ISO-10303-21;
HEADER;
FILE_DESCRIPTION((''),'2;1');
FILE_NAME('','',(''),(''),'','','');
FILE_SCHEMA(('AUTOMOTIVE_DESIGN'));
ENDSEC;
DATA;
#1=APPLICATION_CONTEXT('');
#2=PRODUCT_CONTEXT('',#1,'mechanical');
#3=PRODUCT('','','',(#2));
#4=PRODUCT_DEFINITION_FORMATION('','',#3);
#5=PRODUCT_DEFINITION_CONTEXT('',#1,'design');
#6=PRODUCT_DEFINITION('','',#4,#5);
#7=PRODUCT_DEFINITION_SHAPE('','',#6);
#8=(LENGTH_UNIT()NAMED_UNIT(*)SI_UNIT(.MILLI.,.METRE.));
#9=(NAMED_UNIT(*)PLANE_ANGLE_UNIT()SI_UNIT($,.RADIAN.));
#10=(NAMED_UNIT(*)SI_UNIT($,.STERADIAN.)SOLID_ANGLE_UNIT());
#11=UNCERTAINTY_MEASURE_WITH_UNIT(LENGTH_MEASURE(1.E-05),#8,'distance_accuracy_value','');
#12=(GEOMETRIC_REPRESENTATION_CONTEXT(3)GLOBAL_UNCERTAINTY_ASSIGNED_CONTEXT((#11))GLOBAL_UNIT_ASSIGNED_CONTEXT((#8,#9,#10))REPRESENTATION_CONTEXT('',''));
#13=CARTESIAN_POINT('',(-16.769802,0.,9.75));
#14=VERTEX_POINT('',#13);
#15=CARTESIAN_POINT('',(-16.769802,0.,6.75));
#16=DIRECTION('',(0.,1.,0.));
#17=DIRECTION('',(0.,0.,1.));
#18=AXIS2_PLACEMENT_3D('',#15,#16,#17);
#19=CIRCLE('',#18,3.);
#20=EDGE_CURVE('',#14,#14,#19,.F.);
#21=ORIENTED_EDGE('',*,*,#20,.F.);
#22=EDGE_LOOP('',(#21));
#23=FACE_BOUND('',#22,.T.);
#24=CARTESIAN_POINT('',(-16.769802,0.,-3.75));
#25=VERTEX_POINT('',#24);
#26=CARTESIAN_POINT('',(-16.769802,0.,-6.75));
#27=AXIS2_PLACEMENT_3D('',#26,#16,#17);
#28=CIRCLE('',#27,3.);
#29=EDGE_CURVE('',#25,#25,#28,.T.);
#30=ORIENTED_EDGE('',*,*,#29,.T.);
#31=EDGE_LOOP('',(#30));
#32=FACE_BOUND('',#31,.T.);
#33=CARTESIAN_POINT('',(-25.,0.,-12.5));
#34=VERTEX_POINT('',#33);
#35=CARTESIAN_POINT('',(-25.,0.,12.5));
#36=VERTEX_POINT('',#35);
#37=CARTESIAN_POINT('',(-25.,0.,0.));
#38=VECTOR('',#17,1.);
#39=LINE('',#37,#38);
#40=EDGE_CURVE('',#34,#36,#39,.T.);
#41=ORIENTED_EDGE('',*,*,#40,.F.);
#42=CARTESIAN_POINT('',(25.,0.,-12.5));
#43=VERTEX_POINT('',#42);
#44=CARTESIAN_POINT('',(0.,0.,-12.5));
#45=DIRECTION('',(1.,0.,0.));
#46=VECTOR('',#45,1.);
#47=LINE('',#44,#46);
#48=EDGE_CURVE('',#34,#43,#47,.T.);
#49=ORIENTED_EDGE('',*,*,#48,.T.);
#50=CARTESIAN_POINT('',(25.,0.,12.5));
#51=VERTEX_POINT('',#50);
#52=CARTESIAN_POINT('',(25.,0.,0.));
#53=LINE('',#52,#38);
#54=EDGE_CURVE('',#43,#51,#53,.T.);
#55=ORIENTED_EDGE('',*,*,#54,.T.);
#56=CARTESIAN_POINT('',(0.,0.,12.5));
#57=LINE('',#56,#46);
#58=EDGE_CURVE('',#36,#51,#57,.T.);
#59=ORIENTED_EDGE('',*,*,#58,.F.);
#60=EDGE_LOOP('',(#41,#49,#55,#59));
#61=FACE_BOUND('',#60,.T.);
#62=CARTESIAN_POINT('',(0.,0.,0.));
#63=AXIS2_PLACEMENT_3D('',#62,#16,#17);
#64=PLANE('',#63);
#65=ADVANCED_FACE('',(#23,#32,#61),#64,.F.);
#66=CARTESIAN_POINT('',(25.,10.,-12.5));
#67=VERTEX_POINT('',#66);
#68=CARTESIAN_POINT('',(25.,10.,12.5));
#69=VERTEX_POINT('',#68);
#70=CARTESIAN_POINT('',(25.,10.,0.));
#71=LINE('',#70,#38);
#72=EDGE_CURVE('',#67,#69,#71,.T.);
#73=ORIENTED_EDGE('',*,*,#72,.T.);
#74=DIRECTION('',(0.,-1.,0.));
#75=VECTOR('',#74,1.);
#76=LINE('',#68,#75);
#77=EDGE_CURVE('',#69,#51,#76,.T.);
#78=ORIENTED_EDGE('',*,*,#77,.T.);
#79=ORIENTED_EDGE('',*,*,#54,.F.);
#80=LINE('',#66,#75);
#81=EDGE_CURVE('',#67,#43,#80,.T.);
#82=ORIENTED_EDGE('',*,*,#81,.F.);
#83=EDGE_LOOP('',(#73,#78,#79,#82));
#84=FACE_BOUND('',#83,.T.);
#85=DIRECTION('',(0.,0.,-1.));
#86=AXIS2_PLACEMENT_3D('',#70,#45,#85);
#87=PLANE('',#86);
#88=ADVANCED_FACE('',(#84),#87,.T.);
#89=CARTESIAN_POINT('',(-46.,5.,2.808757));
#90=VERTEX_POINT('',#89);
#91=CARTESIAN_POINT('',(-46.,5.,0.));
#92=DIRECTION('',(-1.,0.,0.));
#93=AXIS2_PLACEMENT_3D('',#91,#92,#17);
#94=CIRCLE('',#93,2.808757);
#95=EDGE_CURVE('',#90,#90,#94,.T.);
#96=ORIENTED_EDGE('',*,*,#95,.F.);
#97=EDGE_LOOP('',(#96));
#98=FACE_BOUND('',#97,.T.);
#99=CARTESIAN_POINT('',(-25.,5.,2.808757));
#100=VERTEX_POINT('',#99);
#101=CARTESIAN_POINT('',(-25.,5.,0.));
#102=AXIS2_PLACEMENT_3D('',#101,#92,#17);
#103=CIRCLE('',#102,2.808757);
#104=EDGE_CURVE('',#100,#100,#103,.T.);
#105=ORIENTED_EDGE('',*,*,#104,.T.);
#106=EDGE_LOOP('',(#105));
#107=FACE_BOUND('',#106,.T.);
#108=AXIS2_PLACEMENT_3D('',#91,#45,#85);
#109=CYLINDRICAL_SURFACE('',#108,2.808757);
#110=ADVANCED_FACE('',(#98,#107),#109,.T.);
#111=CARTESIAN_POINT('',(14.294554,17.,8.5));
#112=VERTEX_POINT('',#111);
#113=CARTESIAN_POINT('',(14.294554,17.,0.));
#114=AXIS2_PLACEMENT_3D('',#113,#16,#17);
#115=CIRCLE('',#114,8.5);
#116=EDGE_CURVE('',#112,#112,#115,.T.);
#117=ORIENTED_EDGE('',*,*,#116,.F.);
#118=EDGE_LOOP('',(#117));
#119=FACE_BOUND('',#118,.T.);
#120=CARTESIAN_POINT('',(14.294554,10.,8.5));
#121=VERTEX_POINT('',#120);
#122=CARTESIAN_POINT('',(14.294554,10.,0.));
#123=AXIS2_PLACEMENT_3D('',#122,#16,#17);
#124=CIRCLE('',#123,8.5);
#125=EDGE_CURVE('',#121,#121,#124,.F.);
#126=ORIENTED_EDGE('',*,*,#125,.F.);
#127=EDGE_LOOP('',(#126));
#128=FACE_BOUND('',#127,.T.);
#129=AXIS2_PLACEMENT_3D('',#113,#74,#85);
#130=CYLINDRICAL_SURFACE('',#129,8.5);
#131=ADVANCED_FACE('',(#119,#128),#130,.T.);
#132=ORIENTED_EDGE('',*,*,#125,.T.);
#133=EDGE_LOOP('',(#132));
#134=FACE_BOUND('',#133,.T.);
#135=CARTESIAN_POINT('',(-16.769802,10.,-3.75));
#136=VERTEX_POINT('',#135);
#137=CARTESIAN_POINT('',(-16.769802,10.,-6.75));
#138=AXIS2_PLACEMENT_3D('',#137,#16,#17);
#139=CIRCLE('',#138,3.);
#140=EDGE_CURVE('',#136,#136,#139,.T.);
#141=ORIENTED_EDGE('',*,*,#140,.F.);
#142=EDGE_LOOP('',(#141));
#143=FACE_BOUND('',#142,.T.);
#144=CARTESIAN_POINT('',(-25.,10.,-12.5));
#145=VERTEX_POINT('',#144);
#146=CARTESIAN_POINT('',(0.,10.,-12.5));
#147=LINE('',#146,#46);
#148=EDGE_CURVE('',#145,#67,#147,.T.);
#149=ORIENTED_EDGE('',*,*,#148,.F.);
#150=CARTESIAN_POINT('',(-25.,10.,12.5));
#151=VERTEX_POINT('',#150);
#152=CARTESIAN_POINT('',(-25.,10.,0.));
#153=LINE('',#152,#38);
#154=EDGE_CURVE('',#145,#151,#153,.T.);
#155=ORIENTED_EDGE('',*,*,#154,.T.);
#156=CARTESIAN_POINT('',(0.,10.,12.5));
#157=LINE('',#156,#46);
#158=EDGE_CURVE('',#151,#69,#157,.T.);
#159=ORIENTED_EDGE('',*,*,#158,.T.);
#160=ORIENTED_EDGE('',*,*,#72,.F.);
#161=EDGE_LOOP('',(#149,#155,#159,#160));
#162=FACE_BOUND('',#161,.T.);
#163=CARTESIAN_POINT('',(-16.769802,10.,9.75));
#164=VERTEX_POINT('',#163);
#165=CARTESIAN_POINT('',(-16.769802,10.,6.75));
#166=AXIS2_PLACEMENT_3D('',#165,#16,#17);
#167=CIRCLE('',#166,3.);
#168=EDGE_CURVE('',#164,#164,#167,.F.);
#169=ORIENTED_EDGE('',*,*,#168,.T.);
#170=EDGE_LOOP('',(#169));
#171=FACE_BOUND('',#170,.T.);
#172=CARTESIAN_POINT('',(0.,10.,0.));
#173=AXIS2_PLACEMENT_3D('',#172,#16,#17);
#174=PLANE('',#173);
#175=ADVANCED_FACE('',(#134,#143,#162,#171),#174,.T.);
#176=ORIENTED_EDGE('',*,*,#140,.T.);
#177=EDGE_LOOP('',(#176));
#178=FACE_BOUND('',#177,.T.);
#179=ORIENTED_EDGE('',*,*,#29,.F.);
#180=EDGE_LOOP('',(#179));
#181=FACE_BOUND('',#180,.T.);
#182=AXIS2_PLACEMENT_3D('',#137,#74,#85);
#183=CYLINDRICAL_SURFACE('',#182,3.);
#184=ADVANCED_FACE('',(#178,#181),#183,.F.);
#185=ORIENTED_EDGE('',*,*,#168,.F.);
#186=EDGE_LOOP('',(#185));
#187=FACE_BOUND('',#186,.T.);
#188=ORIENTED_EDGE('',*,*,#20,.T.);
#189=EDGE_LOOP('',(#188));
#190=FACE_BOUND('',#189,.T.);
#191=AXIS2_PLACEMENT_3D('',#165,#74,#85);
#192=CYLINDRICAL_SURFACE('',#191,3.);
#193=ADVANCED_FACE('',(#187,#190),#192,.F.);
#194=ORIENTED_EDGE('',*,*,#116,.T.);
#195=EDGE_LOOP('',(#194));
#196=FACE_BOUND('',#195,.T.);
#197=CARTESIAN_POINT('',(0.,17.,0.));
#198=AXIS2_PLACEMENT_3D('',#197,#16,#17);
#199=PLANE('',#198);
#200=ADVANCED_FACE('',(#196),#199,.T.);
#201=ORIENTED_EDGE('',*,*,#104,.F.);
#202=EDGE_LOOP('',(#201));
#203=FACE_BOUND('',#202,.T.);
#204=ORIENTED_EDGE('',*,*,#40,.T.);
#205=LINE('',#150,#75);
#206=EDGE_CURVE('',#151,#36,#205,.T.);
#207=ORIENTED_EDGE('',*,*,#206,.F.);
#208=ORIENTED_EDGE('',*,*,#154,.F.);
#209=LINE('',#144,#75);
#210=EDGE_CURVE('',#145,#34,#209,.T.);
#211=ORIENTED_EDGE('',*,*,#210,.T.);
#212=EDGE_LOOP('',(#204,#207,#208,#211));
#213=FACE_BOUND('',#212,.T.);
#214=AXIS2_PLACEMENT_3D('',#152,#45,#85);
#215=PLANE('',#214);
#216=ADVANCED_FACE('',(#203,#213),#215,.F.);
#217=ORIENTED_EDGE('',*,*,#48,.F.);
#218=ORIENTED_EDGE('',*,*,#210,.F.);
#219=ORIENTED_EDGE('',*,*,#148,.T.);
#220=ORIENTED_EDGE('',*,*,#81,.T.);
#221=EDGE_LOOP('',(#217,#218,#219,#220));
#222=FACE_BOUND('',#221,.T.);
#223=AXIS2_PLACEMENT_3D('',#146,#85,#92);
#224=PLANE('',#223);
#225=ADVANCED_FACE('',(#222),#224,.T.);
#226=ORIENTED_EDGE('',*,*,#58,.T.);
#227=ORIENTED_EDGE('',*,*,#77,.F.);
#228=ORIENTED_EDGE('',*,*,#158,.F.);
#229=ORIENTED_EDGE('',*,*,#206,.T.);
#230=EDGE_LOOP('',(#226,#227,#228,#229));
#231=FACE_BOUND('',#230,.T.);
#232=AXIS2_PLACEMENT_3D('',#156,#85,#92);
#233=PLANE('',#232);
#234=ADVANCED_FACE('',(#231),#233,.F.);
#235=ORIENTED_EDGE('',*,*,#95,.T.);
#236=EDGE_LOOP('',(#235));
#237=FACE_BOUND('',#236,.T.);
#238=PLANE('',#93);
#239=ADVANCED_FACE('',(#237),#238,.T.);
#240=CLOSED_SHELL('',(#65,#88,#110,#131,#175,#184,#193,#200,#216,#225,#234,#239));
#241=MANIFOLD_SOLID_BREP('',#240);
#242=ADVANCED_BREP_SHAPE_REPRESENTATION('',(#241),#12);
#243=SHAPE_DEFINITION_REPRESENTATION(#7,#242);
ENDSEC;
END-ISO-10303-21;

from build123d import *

# Parameters (mm, degrees)
SKETCH_1_W      = 50
SKETCH_1_H      = 25
SKETCH_1_R      = 3
EXTRUDE_1_DEPTH = 10
SKETCH_2_R      = 2.808756841
EXTRUDE_2_DEPTH = 21
SKETCH_1_3_R    = 8.5
EXTRUDE_3_DEPTH = 17


with BuildPart() as part:
    # 草图1 → 凸台-拉伸1 (new body)
    with BuildSketch(Plane(origin=(0, 0, 0), x_dir=(1, 0, 0), z_dir=(0, 1, 0))):
        Rectangle(SKETCH_1_W, SKETCH_1_H)
        with Locations((-16.76980198, -6.75)):
            Circle(SKETCH_1_R, mode=Mode.SUBTRACT)
        with Locations((-16.76980198, 6.75)):
            Circle(SKETCH_1_R, mode=Mode.SUBTRACT)
    extrude(amount=EXTRUDE_1_DEPTH)

    # 草图2 → 凸台-拉伸2 (add)
    with BuildSketch(Plane.ZY.offset(25)):
        with Locations((0, 5)):
            Circle(SKETCH_2_R)
    extrude(amount=EXTRUDE_2_DEPTH)

    # 草图1<3> → 凸台-拉伸3 (add)
    with BuildSketch(Plane(origin=(0, 0, 0), x_dir=(1, 0, 0), z_dir=(0, 1, 0))):
        with Locations((14.294554455, 0)):
            Circle(SKETCH_1_3_R)
    extrude(amount=EXTRUDE_3_DEPTH)


solid = part.part
